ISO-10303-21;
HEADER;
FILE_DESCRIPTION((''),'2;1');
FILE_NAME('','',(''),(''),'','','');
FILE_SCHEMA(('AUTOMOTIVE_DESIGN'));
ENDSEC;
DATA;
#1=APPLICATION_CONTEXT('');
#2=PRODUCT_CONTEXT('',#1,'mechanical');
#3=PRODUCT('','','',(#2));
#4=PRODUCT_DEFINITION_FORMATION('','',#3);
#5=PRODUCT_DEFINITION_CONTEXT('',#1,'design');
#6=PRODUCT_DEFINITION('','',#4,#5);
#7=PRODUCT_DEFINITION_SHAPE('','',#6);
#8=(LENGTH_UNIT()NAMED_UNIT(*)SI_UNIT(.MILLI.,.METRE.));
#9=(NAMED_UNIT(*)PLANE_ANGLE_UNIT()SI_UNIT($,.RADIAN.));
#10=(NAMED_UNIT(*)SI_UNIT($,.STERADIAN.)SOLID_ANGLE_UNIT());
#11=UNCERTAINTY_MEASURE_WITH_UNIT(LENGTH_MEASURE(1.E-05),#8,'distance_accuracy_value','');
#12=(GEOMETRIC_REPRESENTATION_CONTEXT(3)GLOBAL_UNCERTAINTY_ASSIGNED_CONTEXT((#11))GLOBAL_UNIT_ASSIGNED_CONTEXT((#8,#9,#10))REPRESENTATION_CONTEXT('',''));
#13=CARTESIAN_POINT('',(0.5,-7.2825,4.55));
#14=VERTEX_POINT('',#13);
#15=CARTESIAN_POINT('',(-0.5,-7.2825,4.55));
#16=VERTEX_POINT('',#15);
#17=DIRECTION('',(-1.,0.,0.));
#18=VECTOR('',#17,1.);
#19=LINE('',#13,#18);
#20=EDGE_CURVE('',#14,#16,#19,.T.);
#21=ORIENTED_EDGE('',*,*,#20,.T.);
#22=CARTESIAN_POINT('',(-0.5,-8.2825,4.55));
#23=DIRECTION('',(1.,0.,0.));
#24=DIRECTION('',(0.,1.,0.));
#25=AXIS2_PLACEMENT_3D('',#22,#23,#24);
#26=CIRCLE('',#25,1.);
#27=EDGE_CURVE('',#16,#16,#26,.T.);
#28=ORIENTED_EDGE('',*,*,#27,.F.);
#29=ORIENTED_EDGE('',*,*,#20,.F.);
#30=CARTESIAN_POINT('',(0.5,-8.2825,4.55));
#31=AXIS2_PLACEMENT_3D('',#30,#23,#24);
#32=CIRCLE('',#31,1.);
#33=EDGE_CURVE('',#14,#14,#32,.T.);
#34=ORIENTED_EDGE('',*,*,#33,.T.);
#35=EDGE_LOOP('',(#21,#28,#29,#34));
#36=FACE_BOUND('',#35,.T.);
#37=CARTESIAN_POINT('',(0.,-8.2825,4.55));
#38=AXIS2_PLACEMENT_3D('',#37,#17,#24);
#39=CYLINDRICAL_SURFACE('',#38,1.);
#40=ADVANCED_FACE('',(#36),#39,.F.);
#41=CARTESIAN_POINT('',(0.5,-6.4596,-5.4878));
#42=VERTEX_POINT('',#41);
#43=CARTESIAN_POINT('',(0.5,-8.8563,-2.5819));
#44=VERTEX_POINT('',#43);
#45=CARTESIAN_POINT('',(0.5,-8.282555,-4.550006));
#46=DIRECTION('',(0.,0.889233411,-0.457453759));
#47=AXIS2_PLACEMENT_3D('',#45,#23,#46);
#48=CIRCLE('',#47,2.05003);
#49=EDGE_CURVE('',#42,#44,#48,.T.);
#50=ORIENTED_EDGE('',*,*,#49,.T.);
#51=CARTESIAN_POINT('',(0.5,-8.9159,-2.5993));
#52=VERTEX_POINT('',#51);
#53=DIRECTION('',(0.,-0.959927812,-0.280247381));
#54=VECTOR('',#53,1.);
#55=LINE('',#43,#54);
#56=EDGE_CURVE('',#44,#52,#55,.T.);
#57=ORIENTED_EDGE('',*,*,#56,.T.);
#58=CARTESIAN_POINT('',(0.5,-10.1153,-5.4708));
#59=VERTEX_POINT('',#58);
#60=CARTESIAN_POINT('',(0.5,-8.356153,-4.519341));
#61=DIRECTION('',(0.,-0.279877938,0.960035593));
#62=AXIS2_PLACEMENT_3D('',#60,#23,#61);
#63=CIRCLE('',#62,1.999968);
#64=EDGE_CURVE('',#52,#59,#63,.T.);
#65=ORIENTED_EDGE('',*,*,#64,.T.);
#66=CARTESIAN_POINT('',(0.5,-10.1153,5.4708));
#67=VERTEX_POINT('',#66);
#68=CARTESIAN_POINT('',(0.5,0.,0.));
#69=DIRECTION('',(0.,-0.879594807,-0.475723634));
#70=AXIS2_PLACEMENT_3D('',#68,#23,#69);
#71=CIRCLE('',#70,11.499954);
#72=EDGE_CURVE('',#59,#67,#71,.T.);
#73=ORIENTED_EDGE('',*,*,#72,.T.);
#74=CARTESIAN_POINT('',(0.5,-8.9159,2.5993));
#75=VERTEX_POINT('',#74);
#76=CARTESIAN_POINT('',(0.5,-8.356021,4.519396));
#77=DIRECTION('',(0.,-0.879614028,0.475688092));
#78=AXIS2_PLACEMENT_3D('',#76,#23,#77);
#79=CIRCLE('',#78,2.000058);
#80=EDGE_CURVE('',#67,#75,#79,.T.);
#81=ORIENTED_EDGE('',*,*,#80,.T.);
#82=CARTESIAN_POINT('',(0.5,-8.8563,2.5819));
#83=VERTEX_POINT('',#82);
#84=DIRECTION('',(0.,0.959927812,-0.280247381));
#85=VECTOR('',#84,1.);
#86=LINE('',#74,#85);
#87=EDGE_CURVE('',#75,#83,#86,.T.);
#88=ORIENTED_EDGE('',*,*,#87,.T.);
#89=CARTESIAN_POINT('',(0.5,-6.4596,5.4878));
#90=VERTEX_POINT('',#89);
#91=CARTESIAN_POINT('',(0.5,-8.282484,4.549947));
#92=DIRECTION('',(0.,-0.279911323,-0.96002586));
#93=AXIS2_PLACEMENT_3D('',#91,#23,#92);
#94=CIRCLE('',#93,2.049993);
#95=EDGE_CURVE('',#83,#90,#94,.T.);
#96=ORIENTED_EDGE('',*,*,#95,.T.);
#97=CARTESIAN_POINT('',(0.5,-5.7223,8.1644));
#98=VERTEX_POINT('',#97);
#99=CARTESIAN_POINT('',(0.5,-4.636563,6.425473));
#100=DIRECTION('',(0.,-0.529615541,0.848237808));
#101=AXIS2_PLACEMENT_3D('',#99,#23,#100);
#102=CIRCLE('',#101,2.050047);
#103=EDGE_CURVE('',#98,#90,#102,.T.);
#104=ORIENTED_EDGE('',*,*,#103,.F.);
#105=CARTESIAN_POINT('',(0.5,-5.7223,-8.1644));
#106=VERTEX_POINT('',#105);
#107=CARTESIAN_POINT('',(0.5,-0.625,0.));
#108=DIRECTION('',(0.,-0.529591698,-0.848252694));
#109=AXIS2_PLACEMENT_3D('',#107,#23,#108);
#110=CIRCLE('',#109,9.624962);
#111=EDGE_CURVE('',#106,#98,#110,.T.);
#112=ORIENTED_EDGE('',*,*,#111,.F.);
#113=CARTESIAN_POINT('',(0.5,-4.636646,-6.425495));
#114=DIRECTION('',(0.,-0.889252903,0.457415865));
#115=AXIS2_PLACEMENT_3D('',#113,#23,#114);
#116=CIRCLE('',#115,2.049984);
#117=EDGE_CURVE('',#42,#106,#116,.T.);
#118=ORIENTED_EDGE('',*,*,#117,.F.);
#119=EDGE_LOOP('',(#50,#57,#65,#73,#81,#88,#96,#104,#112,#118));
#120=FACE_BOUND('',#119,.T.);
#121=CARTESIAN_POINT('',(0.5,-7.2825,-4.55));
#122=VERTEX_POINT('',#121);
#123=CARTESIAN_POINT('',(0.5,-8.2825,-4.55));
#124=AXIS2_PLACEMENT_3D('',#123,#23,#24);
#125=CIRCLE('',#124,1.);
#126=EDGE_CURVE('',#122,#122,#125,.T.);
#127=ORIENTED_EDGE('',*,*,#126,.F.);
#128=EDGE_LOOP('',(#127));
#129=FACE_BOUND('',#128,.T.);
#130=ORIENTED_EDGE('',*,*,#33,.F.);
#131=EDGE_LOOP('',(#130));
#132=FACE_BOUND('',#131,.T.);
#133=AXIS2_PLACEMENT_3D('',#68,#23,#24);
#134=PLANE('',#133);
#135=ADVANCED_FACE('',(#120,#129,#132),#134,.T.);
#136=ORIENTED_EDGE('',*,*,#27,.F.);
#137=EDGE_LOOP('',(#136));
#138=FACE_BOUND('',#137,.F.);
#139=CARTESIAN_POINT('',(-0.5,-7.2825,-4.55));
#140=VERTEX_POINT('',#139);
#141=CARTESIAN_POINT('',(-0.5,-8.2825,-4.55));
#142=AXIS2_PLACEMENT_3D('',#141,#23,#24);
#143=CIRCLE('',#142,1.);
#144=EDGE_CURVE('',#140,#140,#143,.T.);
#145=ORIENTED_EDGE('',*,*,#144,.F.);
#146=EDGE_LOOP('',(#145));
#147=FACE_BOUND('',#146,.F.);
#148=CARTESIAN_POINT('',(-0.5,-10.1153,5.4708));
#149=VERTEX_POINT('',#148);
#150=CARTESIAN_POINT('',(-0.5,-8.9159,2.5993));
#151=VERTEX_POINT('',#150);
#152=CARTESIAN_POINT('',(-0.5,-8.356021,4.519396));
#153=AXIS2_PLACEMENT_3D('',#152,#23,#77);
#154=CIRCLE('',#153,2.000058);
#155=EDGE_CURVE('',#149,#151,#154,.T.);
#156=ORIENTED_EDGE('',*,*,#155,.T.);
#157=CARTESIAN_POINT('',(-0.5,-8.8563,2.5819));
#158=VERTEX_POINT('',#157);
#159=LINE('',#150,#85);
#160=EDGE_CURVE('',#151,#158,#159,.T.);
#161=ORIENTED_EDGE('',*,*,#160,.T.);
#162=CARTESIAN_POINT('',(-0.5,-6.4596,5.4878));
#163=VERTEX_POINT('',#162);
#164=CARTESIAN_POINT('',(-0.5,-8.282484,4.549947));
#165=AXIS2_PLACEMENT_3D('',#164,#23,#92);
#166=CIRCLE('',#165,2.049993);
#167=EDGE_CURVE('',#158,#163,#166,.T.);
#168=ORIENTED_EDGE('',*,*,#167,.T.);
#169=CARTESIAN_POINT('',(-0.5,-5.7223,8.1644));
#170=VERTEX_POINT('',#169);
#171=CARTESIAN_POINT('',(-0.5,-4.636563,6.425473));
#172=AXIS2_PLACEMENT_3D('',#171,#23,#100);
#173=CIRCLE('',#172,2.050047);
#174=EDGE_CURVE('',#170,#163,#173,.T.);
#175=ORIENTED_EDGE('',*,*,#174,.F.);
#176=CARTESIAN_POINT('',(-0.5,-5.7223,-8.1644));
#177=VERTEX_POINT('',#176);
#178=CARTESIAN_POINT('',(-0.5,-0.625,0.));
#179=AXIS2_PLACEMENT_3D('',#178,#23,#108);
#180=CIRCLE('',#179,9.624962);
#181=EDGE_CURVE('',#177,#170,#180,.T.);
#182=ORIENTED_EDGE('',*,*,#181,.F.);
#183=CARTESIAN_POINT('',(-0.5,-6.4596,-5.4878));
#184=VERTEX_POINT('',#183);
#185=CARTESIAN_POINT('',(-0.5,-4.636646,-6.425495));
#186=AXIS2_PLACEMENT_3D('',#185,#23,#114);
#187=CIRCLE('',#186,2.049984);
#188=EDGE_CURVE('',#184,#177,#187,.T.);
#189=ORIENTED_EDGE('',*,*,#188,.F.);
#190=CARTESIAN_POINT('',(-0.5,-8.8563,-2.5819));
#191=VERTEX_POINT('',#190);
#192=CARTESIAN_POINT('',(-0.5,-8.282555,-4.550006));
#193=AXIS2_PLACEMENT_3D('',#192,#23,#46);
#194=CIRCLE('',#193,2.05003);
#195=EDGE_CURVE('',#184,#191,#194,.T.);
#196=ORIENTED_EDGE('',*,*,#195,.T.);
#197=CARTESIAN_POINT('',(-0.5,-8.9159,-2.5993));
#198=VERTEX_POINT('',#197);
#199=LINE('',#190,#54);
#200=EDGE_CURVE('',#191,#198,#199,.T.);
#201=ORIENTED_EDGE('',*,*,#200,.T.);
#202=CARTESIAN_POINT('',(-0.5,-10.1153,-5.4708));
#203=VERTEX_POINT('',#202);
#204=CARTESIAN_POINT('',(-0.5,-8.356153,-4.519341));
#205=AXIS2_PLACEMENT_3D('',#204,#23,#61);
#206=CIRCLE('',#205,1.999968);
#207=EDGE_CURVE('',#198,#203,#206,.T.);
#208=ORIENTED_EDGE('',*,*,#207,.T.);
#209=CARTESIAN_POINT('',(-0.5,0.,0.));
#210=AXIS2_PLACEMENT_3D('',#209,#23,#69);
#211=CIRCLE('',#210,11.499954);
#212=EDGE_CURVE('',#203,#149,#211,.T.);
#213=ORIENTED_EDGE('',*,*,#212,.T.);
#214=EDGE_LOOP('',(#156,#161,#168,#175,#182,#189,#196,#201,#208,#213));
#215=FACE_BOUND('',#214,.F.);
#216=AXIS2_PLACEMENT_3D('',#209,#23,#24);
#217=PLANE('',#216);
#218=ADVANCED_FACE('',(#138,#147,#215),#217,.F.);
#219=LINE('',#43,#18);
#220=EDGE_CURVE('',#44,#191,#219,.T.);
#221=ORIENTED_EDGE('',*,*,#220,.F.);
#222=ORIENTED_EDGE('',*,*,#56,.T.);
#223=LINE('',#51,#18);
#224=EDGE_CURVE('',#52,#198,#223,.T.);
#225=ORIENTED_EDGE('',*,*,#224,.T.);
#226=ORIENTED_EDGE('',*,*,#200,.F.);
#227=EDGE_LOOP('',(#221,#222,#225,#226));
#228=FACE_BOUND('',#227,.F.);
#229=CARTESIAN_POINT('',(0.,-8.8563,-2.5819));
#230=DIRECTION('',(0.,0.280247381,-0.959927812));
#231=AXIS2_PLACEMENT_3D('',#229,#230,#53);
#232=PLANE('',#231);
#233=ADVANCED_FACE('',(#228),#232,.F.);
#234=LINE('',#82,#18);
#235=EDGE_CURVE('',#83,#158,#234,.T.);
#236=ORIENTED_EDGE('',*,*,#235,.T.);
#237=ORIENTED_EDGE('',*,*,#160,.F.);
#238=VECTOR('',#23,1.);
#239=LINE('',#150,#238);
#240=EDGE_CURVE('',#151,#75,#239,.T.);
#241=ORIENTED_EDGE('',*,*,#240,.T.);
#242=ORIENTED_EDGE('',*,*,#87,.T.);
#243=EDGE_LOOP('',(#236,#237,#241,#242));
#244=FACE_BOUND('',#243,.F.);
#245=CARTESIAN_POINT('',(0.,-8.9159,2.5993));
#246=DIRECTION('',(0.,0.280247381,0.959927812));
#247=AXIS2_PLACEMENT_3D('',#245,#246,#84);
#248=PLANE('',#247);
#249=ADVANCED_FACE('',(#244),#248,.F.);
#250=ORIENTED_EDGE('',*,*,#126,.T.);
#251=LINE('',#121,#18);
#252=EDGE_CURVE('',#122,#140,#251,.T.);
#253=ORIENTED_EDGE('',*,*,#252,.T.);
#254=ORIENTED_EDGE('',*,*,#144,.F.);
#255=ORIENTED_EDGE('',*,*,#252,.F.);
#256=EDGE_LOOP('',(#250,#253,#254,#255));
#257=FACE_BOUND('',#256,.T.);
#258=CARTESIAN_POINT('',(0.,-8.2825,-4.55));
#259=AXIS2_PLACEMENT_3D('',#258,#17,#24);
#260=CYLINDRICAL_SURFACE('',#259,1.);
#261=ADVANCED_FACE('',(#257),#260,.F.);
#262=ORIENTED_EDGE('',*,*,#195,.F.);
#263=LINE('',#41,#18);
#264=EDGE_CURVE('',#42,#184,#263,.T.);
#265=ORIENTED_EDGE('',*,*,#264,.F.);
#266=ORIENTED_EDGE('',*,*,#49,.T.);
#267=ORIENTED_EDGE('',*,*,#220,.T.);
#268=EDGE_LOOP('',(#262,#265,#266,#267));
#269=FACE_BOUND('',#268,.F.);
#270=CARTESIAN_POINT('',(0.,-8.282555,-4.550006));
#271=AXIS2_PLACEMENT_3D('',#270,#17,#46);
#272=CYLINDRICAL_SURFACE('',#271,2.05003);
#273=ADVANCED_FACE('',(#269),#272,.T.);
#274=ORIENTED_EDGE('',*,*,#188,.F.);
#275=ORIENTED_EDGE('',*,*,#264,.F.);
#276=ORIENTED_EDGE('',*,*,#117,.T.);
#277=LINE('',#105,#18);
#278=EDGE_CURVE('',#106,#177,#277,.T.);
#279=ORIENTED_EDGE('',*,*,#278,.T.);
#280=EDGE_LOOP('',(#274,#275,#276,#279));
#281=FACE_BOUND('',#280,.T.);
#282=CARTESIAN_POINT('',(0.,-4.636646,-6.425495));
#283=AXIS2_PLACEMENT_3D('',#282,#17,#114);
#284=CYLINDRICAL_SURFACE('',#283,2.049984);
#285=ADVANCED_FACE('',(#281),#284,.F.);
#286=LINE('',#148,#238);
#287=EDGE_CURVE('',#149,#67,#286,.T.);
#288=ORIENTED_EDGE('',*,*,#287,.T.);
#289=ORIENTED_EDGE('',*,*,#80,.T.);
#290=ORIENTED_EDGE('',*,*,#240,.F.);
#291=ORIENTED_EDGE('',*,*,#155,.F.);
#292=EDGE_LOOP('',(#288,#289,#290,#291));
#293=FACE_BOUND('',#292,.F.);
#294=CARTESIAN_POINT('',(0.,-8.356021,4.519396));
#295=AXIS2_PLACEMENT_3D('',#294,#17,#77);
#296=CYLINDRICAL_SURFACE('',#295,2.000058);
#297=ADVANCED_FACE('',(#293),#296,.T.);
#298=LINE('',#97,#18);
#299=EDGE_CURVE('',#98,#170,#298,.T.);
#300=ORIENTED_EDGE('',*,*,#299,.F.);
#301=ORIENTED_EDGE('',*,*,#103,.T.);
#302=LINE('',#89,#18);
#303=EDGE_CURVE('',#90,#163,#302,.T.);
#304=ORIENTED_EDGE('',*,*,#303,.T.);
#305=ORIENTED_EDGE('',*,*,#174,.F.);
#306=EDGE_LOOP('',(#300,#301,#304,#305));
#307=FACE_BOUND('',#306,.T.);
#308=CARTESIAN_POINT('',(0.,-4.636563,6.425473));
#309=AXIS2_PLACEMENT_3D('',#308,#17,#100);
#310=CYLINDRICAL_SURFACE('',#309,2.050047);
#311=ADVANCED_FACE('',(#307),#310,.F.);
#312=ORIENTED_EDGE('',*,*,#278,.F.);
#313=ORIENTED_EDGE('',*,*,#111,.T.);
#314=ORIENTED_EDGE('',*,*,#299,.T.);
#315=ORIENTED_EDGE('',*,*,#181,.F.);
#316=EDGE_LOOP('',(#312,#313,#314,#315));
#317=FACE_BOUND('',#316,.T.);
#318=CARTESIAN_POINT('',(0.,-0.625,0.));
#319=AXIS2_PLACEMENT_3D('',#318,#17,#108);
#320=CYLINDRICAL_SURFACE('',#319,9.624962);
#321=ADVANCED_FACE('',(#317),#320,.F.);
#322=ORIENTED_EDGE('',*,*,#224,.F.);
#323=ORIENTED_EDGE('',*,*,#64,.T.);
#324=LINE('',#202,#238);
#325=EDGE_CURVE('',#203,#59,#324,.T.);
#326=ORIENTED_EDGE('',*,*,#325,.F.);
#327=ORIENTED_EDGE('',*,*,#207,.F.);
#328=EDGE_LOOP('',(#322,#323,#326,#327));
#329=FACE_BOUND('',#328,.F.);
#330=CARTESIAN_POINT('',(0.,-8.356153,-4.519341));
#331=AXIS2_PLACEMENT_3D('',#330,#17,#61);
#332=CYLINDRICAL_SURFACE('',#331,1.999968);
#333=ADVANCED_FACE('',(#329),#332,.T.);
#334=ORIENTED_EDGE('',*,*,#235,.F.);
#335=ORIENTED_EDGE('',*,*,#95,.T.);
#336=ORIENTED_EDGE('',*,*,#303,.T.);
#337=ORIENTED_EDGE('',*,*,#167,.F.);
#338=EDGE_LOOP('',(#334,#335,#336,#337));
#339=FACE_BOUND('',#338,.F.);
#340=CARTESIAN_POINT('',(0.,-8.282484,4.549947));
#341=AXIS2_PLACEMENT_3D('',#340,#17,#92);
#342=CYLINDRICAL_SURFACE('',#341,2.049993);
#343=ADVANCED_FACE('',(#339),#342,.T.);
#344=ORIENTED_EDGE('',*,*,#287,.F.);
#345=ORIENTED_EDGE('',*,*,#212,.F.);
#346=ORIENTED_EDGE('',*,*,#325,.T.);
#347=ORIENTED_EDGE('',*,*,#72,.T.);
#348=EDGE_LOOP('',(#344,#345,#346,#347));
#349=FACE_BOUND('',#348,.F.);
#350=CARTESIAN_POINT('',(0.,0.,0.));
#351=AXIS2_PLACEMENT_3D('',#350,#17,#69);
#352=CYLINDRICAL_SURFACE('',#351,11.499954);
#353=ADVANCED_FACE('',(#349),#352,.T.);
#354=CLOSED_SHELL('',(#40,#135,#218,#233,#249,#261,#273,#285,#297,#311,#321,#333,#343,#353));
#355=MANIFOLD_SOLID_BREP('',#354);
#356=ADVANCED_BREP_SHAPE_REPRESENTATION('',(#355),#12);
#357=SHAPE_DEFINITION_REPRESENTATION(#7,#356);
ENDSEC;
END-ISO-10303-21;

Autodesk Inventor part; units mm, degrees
sketch "Sketch_3" plane through (0, 0, 0) normal (1, 0, 0) x (0, 1, 0)
  arc A0 (-10.1153, -5.4708) -> (-10.1153, 5.4708) centre (0, 0) ccw
  arc A1 (-10.1153, 5.4708) -> (-8.9159, 2.5993) centre (-8.3561, 4.5194) ccw
  line L0 (-8.9159, 2.5993) -> (-8.8563, 2.5819)
  arc A2 (-8.8563, 2.5819) -> (-6.4596, 5.4878) centre (-8.2825, 4.55) ccw
  arc A3 (-5.7223, 8.1644) -> (-6.4596, 5.4878) centre (-4.6366, 6.4255) ccw
  arc A4 (-5.7223, -8.1644) -> (-5.7223, 8.1644) centre (-0.625, 0) ccw
  arc A5 (-6.4596, -5.4878) -> (-5.7223, -8.1644) centre (-4.6366, -6.4255) ccw
  arc A6 (-6.4596, -5.4878) -> (-8.8563, -2.5819) centre (-8.2825, -4.55) ccw
  line L1 (-8.8563, -2.5819) -> (-8.9159, -2.5993)
  arc A7 (-8.9159, -2.5993) -> (-10.1153, -5.4708) centre (-8.3561, -4.5194) ccw
  circle A8 centre (-8.2825, -4.55) radius 1
  circle A9 centre (-8.2825, 4.55) radius 1
extrude "Extrusion1" add sketch "Sketch_3" along normal mid plane 1
ref_plane "rr_XY" through (-0.5, 0, 0) normal (1, 0, 0) x (0, 0, -1)
ref_plane "rr_YZ" through (-0.5, 0, 0) normal (0, 0, -1) x (0, 1, 0)
ref_plane "rr_ZX" through (-0.5, 0, 0) normal (0, 1, 0) x (1, 0, 0)
properties part number "RRING-C-INT-S-22"
